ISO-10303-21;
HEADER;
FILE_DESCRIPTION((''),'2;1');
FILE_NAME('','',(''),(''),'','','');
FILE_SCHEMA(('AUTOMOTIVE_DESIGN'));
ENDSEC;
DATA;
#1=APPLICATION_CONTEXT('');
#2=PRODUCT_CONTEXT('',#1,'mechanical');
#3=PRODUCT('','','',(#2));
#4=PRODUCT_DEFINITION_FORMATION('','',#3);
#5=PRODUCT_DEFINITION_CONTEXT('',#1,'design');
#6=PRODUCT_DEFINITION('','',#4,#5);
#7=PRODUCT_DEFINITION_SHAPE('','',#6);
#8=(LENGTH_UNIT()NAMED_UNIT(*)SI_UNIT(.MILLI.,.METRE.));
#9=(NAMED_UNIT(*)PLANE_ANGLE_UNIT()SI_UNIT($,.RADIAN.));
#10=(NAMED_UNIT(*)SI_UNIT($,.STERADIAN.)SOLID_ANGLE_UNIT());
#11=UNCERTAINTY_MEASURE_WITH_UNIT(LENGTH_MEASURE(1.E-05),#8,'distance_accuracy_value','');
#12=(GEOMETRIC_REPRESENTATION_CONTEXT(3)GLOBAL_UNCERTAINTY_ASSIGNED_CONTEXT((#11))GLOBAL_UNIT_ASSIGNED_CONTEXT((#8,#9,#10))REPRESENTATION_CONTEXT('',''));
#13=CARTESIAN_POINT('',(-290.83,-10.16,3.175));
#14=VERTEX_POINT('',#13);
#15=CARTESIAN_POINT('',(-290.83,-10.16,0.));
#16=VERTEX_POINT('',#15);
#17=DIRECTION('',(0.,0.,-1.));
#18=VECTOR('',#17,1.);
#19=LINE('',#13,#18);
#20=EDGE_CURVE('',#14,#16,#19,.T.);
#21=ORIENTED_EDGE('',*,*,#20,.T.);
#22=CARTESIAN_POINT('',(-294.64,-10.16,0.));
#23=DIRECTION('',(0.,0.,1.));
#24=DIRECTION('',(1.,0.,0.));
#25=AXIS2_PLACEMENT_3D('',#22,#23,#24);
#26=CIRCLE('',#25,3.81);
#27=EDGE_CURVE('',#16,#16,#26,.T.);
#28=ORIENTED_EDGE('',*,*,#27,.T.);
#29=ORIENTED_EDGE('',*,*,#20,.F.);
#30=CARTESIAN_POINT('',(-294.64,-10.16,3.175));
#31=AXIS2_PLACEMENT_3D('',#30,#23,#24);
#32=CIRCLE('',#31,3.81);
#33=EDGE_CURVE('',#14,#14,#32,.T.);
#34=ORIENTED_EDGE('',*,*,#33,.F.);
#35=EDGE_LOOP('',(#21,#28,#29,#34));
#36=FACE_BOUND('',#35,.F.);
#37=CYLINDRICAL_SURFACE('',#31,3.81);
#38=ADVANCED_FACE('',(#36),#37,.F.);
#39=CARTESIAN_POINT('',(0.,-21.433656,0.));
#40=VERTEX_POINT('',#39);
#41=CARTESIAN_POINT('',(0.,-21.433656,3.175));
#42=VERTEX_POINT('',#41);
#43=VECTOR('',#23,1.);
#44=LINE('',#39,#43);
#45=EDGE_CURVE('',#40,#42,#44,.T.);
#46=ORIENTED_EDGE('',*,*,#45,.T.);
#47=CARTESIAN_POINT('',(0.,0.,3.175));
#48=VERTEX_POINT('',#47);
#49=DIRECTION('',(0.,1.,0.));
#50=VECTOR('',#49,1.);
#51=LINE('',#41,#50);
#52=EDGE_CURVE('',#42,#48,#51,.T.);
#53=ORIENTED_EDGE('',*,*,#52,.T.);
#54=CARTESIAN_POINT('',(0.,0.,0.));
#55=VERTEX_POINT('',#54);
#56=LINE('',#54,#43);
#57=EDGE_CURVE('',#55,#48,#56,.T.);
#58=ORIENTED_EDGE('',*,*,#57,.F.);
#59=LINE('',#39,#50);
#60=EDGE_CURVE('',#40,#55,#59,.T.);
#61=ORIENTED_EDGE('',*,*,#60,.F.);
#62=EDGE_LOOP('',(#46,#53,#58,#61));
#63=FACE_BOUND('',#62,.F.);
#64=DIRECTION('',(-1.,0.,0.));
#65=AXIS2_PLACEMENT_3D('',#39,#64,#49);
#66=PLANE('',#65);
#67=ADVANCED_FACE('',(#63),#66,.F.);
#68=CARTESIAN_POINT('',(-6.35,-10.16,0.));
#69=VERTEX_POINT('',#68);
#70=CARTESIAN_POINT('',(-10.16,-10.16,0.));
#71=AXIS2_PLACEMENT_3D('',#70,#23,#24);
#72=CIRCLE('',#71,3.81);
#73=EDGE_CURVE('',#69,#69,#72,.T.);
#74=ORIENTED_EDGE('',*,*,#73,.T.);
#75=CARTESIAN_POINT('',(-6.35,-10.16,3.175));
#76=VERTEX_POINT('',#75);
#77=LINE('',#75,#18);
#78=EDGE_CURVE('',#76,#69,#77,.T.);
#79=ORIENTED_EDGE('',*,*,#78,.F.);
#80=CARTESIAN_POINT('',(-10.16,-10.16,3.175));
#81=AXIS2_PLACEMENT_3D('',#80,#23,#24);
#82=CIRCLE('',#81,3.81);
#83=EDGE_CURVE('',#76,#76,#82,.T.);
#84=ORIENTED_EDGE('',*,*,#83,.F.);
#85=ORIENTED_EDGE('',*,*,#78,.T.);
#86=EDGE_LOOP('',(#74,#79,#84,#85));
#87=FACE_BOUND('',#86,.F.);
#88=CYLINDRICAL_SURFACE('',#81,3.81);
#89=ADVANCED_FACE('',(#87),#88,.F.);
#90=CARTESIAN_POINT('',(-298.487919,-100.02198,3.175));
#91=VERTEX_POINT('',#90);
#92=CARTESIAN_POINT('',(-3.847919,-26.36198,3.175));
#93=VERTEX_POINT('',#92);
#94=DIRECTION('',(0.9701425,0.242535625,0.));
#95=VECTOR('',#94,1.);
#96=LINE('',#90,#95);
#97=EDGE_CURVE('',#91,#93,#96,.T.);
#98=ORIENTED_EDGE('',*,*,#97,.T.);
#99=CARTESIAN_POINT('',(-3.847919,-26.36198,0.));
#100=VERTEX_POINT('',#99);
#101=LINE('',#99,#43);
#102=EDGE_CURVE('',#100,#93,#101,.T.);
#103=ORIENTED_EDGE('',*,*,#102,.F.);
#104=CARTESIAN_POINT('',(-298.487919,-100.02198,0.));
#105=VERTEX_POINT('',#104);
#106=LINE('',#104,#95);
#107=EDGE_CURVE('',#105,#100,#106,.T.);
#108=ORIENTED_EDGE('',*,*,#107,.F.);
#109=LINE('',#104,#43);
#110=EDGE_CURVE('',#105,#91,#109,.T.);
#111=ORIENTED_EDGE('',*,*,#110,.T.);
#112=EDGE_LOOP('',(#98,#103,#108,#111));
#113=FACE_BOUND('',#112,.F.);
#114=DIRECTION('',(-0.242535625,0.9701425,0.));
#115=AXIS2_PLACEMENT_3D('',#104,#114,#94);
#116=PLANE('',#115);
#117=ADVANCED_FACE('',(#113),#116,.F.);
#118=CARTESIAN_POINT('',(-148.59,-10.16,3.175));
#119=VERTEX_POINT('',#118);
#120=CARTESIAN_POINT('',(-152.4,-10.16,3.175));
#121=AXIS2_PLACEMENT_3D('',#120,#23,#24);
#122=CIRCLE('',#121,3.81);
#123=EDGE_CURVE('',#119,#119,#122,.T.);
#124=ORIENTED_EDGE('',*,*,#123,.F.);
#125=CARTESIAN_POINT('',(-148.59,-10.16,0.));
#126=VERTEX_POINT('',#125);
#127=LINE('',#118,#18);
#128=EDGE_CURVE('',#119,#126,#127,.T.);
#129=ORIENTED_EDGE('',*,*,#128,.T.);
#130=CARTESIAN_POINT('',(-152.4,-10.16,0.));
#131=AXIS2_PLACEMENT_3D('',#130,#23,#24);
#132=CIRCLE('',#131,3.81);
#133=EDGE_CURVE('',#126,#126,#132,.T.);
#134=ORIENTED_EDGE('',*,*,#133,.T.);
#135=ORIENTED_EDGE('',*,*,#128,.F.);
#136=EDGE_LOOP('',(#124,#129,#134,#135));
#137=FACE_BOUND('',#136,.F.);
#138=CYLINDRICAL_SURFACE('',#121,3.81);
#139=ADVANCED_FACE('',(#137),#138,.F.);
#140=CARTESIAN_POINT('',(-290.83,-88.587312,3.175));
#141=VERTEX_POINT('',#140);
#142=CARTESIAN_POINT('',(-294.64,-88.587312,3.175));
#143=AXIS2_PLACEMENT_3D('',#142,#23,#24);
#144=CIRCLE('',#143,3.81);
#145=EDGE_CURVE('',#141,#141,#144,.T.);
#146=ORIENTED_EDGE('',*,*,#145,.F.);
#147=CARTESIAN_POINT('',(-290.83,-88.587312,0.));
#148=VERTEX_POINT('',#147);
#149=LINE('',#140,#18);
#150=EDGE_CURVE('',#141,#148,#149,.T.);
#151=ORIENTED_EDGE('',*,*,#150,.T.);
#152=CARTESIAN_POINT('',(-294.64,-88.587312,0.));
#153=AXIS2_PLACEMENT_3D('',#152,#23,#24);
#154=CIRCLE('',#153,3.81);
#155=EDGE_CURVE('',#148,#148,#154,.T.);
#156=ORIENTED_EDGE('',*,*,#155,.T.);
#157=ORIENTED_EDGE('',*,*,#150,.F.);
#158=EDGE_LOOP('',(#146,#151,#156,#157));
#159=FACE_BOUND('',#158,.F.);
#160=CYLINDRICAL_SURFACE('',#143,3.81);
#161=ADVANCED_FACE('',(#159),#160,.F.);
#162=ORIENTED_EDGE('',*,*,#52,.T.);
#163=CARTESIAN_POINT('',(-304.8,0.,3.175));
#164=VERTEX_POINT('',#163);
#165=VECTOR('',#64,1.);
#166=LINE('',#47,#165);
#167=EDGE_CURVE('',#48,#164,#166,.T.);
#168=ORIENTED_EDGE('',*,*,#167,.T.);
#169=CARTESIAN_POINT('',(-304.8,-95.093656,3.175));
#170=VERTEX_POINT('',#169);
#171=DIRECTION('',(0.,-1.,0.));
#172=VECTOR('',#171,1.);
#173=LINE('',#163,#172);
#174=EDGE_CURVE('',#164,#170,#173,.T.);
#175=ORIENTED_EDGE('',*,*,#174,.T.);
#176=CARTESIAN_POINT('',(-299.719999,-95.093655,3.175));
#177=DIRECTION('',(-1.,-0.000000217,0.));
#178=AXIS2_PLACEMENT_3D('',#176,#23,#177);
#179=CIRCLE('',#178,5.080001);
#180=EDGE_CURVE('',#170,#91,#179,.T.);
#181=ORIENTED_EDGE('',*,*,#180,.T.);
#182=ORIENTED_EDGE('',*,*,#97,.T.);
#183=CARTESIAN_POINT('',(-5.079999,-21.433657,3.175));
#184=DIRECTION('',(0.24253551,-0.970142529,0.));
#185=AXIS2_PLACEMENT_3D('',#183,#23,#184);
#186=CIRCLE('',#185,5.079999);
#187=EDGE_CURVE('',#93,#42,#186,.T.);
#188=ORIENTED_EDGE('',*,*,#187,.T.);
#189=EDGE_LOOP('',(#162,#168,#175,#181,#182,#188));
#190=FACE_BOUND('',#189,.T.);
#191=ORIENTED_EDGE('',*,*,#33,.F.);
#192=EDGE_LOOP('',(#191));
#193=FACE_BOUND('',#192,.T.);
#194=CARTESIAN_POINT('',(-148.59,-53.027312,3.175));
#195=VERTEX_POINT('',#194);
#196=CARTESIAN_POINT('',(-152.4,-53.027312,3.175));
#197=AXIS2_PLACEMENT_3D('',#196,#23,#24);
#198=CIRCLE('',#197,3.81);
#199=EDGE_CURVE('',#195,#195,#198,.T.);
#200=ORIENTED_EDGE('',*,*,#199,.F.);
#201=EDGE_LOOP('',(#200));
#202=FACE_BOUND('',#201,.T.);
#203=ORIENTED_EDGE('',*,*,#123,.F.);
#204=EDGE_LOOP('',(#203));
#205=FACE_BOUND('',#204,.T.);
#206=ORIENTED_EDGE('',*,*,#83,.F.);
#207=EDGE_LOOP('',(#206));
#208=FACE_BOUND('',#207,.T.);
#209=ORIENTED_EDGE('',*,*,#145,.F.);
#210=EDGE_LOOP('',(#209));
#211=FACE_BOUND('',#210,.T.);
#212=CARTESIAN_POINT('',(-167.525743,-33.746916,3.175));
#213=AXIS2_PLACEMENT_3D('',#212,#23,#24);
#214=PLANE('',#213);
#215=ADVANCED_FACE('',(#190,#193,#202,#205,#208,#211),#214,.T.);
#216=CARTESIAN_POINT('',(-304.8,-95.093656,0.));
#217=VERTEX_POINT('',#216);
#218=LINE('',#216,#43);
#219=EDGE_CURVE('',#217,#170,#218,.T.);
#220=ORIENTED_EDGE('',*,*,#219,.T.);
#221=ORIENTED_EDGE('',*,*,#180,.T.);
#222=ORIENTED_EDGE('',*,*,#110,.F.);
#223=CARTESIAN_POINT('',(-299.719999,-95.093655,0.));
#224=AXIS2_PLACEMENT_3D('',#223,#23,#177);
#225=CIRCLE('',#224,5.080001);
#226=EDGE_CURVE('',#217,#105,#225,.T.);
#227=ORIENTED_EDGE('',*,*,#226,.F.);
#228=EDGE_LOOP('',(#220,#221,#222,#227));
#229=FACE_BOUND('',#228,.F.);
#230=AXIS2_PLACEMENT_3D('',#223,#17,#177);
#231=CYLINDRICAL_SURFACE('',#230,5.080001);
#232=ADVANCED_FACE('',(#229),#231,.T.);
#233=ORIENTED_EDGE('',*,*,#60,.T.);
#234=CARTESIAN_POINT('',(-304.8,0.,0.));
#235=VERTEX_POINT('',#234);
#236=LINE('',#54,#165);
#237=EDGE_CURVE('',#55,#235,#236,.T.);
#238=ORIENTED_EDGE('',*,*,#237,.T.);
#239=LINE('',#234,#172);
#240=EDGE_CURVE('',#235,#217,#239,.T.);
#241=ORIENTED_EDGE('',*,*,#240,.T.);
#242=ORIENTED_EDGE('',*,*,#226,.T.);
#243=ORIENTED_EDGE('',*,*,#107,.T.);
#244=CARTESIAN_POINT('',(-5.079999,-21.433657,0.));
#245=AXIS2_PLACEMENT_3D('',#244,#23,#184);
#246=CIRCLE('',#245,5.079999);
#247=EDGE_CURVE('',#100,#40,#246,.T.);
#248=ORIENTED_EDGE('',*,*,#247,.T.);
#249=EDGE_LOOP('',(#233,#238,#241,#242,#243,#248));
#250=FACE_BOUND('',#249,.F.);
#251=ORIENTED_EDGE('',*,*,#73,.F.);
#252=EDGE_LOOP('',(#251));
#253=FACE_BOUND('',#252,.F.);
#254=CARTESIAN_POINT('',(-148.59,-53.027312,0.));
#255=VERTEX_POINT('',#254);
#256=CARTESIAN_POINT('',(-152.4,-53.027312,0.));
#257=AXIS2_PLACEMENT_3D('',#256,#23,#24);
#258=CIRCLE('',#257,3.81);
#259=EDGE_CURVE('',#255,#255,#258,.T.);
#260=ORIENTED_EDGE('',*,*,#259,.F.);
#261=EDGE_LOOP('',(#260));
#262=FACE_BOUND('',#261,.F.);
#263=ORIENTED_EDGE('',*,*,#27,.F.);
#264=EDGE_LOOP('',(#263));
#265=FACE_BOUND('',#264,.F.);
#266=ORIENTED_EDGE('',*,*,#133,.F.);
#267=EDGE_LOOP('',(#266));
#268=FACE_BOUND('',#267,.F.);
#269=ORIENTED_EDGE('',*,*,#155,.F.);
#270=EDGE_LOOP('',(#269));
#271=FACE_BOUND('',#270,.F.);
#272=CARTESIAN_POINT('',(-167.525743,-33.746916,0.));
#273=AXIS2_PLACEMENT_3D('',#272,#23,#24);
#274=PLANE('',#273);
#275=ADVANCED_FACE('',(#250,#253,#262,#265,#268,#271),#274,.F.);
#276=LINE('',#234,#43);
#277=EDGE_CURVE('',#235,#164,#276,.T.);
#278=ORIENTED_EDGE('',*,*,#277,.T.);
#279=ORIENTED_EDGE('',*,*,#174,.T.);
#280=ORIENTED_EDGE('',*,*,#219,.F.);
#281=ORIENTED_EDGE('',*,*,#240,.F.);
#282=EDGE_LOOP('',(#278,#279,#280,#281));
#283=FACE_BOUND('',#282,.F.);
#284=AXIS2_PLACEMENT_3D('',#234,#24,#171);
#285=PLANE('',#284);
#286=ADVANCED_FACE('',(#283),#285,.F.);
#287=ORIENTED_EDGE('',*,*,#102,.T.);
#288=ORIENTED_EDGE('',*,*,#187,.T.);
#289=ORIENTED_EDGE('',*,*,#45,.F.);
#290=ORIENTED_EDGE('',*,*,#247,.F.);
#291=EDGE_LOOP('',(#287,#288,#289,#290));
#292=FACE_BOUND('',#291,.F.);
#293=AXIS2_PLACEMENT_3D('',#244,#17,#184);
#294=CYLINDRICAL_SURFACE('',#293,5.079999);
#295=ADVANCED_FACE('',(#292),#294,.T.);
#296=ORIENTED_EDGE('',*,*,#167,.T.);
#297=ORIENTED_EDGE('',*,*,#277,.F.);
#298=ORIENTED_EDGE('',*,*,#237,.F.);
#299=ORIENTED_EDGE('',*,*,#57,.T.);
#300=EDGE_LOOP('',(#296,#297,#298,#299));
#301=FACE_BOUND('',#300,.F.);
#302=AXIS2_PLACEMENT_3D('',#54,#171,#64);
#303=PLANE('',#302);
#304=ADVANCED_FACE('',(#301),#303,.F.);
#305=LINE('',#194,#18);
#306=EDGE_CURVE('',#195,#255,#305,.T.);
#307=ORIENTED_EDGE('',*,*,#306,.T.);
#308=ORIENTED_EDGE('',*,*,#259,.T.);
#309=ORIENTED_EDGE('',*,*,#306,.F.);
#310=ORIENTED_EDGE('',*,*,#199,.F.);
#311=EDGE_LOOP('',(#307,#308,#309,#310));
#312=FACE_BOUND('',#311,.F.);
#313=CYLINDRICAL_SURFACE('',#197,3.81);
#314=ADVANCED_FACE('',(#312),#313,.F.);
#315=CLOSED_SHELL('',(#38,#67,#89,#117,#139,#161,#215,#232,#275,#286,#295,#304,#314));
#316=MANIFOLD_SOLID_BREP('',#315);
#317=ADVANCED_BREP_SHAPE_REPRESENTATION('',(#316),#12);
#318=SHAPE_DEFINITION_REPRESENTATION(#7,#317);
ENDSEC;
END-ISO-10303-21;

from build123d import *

# Parameters (mm, degrees)
F1_DEPTH = 3.175
F2_R     = 3.81
F3_DEPTH = 25.4


with BuildPart() as f1:
    # F0 (on Top) → F1 (new body)
    with BuildSketch(Plane.XY):
        with BuildLine():
            Line((0, -21.433656), (0, 0))
            Line((0, 0), (-304.8, 0))
            Line((-304.8, 0), (-304.8, -95.093656))
            ThreePointArc((-304.8, -95.093656), (-302.846294, -99.097739), (-298.487919, -100.02198))
            Line((-298.487919, -100.02198), (-3.847919, -26.36198))
            ThreePointArc((-3.847919, -26.36198), (-1.075916, -24.55995), (0, -21.433656))
        make_face()
    extrude(amount=F1_DEPTH)

    # F2 (on face) → F3 (cut)
    with BuildSketch(Plane.XY.offset(3.175)):
        with Locations((-294.64, -10.16)):
            Circle(F2_R)
        with Locations((-152.4, -10.16)):
            Circle(F2_R)
        with Locations((-152.4, -53.027312)):
            Circle(F2_R)
        with Locations((-294.64, -88.587312)):
            Circle(F2_R)
        with Locations((-10.16, -10.16)):
            Circle(F2_R)
    extrude(amount=-F3_DEPTH, mode=Mode.SUBTRACT)


solid = f1.part
